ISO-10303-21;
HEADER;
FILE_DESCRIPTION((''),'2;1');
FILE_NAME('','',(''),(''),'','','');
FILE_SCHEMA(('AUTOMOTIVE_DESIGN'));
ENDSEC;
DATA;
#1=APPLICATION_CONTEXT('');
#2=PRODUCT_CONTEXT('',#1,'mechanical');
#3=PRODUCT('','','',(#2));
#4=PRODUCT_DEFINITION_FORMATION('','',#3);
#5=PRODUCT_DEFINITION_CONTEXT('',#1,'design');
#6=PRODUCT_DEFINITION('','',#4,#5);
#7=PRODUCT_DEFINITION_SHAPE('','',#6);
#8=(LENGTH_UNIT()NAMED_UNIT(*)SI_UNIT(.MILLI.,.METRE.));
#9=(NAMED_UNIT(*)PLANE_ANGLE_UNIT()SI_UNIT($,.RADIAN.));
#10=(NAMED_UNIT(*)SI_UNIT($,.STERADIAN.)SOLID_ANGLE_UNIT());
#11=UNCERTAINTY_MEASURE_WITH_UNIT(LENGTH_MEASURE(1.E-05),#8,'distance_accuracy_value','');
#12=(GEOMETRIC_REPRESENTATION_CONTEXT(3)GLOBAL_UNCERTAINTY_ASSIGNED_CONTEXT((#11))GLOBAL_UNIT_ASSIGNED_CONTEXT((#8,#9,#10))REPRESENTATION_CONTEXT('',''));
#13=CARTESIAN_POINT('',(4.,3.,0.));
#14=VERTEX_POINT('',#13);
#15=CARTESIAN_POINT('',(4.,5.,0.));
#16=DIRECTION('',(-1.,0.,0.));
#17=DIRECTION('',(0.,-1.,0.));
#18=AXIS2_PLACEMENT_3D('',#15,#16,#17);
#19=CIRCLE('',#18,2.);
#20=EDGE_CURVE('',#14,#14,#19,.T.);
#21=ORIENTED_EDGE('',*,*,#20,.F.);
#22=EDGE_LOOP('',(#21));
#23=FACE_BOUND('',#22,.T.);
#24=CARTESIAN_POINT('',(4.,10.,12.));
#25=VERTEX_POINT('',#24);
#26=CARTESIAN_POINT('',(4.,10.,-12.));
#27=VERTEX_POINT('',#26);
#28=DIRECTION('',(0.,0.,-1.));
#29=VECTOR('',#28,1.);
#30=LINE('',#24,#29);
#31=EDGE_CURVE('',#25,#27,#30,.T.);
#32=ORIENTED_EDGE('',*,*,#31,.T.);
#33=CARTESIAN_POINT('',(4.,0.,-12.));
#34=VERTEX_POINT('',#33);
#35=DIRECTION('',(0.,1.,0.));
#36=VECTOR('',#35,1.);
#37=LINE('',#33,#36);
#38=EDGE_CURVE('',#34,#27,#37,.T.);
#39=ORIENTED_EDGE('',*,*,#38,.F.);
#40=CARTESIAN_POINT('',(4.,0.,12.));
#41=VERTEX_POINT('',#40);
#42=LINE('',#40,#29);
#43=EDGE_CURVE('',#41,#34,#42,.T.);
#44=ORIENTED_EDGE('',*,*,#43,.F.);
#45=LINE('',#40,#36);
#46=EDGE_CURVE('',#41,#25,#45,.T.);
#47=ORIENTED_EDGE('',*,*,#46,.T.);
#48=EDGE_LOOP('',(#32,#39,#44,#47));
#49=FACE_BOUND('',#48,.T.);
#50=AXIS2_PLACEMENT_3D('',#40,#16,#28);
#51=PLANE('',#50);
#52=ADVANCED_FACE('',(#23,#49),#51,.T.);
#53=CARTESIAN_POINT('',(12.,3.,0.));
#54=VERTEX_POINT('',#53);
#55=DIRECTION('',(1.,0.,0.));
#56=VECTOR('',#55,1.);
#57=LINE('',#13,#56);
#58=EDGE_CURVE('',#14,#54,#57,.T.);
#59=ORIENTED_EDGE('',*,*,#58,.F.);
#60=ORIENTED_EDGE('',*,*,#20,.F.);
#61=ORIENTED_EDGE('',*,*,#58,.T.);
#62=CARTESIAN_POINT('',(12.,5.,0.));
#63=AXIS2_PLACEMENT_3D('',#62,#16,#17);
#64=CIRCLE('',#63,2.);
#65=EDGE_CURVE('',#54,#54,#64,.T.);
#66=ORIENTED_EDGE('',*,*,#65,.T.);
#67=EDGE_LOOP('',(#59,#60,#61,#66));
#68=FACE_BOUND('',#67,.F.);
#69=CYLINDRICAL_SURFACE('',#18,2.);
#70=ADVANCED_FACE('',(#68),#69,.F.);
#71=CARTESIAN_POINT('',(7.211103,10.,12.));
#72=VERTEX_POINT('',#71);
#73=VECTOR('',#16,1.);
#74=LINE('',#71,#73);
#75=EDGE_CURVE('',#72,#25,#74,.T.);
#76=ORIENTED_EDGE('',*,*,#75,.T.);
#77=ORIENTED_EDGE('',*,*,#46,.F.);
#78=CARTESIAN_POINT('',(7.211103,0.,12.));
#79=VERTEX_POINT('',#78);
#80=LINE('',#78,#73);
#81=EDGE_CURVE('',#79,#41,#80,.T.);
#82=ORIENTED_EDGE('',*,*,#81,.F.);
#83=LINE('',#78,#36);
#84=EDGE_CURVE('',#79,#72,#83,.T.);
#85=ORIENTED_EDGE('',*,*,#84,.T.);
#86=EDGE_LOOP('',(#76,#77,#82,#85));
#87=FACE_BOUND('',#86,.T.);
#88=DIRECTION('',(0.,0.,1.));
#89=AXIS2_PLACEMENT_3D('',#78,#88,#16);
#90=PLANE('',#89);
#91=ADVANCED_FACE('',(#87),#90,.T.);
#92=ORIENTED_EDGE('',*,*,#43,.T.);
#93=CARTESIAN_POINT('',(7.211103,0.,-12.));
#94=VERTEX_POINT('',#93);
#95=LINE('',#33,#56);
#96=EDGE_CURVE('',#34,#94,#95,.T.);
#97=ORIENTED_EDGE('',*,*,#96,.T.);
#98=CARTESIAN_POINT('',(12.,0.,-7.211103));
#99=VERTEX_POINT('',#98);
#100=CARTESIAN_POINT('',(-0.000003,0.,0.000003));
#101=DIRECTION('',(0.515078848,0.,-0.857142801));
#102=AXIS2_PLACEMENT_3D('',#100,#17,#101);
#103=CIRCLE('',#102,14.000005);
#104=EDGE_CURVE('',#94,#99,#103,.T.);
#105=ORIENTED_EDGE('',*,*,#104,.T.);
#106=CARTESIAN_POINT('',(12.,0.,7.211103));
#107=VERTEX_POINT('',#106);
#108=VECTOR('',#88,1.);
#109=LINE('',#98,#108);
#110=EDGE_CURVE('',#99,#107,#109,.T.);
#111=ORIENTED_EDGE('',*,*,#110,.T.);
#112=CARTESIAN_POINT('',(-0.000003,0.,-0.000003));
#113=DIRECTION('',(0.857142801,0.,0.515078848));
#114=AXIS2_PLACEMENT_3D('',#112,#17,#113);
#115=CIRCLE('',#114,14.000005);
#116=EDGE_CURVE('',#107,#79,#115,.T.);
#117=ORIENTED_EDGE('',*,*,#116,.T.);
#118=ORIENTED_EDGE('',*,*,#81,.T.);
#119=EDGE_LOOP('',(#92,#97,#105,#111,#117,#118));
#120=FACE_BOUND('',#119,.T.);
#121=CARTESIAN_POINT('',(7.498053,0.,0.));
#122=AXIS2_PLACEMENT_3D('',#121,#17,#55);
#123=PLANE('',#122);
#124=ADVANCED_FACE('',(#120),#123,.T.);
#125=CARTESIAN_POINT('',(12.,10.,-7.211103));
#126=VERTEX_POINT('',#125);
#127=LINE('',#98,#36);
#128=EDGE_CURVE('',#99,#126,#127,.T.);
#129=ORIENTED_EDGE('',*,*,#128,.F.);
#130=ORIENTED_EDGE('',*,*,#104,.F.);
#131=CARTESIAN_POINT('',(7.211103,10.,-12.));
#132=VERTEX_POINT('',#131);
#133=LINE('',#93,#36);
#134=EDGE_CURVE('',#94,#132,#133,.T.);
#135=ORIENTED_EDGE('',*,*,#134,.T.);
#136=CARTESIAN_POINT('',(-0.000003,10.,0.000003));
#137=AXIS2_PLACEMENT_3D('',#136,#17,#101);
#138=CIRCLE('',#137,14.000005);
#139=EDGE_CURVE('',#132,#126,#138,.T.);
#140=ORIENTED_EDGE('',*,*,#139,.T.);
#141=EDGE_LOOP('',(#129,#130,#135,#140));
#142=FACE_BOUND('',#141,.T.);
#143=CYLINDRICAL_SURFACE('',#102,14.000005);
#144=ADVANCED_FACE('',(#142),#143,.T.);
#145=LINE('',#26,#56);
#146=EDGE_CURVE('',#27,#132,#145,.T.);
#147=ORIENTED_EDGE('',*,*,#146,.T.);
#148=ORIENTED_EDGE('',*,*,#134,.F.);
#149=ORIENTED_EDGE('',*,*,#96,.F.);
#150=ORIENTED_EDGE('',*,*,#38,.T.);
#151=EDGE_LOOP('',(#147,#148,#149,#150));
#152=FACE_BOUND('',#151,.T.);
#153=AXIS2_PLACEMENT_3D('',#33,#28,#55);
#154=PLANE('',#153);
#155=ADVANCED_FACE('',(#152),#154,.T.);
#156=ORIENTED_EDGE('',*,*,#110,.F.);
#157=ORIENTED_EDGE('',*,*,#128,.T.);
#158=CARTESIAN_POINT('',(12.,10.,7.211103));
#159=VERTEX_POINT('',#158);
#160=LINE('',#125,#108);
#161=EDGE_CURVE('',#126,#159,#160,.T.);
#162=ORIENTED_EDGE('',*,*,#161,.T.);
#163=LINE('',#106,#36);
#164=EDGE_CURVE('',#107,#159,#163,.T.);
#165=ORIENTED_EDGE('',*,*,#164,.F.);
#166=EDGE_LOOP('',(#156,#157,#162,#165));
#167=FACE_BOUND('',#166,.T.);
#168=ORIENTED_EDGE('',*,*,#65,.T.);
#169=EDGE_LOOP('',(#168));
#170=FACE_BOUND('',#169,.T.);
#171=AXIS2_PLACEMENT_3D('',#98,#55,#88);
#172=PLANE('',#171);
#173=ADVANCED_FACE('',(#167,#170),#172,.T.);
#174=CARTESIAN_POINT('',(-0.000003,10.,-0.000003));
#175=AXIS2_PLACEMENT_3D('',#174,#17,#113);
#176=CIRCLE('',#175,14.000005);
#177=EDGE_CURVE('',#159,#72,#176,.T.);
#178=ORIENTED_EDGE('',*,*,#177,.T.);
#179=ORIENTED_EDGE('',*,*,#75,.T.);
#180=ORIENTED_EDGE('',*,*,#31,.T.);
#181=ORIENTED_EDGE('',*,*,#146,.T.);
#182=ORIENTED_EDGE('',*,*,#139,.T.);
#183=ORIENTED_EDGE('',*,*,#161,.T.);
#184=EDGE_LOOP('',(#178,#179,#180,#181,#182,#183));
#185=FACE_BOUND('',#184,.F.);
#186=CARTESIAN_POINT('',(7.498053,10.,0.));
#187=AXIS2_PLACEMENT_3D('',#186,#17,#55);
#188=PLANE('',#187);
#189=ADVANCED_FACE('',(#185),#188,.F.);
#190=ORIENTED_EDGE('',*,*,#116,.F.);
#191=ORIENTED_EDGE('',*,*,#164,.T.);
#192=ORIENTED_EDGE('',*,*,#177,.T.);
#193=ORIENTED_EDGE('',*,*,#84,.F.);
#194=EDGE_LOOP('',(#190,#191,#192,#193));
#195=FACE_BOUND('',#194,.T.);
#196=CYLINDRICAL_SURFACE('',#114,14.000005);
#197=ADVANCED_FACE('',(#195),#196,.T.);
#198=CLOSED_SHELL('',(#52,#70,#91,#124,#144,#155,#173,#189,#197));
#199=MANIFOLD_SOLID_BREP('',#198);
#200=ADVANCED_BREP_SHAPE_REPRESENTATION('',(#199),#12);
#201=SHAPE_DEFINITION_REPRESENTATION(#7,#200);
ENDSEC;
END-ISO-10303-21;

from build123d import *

# Parameters (mm, degrees)
F1_DEPTH = 10
F2_R     = 2
F3_DEPTH = 25


with BuildPart() as f1:
    # F0 (on Front) → F1 (new body)
    with BuildSketch(Plane.XZ):
        with BuildLine():
            Line((7.211103, 12), (4, 12))
            Line((4, 12), (4, -12))
            Line((4, -12), (7.211103, -12))
            ThreePointArc((7.211103, -12), (9.899495, -9.899495), (12, -7.211103))
            Line((12, -7.211103), (12, 7.211103))
            ThreePointArc((12, 7.211103), (9.899495, 9.899495), (7.211103, 12))
        make_face()
    extrude(amount=-F1_DEPTH)

    # F2 (on face) → F3 (cut)
    with BuildSketch(Plane(origin=(4, 0, 0), x_dir=(0, -1, 0), z_dir=(-1, 0, 0))):
        with Locations((-5, 0)):
            Circle(F2_R)
    extrude(amount=-F3_DEPTH, mode=Mode.SUBTRACT)


solid = f1.part
